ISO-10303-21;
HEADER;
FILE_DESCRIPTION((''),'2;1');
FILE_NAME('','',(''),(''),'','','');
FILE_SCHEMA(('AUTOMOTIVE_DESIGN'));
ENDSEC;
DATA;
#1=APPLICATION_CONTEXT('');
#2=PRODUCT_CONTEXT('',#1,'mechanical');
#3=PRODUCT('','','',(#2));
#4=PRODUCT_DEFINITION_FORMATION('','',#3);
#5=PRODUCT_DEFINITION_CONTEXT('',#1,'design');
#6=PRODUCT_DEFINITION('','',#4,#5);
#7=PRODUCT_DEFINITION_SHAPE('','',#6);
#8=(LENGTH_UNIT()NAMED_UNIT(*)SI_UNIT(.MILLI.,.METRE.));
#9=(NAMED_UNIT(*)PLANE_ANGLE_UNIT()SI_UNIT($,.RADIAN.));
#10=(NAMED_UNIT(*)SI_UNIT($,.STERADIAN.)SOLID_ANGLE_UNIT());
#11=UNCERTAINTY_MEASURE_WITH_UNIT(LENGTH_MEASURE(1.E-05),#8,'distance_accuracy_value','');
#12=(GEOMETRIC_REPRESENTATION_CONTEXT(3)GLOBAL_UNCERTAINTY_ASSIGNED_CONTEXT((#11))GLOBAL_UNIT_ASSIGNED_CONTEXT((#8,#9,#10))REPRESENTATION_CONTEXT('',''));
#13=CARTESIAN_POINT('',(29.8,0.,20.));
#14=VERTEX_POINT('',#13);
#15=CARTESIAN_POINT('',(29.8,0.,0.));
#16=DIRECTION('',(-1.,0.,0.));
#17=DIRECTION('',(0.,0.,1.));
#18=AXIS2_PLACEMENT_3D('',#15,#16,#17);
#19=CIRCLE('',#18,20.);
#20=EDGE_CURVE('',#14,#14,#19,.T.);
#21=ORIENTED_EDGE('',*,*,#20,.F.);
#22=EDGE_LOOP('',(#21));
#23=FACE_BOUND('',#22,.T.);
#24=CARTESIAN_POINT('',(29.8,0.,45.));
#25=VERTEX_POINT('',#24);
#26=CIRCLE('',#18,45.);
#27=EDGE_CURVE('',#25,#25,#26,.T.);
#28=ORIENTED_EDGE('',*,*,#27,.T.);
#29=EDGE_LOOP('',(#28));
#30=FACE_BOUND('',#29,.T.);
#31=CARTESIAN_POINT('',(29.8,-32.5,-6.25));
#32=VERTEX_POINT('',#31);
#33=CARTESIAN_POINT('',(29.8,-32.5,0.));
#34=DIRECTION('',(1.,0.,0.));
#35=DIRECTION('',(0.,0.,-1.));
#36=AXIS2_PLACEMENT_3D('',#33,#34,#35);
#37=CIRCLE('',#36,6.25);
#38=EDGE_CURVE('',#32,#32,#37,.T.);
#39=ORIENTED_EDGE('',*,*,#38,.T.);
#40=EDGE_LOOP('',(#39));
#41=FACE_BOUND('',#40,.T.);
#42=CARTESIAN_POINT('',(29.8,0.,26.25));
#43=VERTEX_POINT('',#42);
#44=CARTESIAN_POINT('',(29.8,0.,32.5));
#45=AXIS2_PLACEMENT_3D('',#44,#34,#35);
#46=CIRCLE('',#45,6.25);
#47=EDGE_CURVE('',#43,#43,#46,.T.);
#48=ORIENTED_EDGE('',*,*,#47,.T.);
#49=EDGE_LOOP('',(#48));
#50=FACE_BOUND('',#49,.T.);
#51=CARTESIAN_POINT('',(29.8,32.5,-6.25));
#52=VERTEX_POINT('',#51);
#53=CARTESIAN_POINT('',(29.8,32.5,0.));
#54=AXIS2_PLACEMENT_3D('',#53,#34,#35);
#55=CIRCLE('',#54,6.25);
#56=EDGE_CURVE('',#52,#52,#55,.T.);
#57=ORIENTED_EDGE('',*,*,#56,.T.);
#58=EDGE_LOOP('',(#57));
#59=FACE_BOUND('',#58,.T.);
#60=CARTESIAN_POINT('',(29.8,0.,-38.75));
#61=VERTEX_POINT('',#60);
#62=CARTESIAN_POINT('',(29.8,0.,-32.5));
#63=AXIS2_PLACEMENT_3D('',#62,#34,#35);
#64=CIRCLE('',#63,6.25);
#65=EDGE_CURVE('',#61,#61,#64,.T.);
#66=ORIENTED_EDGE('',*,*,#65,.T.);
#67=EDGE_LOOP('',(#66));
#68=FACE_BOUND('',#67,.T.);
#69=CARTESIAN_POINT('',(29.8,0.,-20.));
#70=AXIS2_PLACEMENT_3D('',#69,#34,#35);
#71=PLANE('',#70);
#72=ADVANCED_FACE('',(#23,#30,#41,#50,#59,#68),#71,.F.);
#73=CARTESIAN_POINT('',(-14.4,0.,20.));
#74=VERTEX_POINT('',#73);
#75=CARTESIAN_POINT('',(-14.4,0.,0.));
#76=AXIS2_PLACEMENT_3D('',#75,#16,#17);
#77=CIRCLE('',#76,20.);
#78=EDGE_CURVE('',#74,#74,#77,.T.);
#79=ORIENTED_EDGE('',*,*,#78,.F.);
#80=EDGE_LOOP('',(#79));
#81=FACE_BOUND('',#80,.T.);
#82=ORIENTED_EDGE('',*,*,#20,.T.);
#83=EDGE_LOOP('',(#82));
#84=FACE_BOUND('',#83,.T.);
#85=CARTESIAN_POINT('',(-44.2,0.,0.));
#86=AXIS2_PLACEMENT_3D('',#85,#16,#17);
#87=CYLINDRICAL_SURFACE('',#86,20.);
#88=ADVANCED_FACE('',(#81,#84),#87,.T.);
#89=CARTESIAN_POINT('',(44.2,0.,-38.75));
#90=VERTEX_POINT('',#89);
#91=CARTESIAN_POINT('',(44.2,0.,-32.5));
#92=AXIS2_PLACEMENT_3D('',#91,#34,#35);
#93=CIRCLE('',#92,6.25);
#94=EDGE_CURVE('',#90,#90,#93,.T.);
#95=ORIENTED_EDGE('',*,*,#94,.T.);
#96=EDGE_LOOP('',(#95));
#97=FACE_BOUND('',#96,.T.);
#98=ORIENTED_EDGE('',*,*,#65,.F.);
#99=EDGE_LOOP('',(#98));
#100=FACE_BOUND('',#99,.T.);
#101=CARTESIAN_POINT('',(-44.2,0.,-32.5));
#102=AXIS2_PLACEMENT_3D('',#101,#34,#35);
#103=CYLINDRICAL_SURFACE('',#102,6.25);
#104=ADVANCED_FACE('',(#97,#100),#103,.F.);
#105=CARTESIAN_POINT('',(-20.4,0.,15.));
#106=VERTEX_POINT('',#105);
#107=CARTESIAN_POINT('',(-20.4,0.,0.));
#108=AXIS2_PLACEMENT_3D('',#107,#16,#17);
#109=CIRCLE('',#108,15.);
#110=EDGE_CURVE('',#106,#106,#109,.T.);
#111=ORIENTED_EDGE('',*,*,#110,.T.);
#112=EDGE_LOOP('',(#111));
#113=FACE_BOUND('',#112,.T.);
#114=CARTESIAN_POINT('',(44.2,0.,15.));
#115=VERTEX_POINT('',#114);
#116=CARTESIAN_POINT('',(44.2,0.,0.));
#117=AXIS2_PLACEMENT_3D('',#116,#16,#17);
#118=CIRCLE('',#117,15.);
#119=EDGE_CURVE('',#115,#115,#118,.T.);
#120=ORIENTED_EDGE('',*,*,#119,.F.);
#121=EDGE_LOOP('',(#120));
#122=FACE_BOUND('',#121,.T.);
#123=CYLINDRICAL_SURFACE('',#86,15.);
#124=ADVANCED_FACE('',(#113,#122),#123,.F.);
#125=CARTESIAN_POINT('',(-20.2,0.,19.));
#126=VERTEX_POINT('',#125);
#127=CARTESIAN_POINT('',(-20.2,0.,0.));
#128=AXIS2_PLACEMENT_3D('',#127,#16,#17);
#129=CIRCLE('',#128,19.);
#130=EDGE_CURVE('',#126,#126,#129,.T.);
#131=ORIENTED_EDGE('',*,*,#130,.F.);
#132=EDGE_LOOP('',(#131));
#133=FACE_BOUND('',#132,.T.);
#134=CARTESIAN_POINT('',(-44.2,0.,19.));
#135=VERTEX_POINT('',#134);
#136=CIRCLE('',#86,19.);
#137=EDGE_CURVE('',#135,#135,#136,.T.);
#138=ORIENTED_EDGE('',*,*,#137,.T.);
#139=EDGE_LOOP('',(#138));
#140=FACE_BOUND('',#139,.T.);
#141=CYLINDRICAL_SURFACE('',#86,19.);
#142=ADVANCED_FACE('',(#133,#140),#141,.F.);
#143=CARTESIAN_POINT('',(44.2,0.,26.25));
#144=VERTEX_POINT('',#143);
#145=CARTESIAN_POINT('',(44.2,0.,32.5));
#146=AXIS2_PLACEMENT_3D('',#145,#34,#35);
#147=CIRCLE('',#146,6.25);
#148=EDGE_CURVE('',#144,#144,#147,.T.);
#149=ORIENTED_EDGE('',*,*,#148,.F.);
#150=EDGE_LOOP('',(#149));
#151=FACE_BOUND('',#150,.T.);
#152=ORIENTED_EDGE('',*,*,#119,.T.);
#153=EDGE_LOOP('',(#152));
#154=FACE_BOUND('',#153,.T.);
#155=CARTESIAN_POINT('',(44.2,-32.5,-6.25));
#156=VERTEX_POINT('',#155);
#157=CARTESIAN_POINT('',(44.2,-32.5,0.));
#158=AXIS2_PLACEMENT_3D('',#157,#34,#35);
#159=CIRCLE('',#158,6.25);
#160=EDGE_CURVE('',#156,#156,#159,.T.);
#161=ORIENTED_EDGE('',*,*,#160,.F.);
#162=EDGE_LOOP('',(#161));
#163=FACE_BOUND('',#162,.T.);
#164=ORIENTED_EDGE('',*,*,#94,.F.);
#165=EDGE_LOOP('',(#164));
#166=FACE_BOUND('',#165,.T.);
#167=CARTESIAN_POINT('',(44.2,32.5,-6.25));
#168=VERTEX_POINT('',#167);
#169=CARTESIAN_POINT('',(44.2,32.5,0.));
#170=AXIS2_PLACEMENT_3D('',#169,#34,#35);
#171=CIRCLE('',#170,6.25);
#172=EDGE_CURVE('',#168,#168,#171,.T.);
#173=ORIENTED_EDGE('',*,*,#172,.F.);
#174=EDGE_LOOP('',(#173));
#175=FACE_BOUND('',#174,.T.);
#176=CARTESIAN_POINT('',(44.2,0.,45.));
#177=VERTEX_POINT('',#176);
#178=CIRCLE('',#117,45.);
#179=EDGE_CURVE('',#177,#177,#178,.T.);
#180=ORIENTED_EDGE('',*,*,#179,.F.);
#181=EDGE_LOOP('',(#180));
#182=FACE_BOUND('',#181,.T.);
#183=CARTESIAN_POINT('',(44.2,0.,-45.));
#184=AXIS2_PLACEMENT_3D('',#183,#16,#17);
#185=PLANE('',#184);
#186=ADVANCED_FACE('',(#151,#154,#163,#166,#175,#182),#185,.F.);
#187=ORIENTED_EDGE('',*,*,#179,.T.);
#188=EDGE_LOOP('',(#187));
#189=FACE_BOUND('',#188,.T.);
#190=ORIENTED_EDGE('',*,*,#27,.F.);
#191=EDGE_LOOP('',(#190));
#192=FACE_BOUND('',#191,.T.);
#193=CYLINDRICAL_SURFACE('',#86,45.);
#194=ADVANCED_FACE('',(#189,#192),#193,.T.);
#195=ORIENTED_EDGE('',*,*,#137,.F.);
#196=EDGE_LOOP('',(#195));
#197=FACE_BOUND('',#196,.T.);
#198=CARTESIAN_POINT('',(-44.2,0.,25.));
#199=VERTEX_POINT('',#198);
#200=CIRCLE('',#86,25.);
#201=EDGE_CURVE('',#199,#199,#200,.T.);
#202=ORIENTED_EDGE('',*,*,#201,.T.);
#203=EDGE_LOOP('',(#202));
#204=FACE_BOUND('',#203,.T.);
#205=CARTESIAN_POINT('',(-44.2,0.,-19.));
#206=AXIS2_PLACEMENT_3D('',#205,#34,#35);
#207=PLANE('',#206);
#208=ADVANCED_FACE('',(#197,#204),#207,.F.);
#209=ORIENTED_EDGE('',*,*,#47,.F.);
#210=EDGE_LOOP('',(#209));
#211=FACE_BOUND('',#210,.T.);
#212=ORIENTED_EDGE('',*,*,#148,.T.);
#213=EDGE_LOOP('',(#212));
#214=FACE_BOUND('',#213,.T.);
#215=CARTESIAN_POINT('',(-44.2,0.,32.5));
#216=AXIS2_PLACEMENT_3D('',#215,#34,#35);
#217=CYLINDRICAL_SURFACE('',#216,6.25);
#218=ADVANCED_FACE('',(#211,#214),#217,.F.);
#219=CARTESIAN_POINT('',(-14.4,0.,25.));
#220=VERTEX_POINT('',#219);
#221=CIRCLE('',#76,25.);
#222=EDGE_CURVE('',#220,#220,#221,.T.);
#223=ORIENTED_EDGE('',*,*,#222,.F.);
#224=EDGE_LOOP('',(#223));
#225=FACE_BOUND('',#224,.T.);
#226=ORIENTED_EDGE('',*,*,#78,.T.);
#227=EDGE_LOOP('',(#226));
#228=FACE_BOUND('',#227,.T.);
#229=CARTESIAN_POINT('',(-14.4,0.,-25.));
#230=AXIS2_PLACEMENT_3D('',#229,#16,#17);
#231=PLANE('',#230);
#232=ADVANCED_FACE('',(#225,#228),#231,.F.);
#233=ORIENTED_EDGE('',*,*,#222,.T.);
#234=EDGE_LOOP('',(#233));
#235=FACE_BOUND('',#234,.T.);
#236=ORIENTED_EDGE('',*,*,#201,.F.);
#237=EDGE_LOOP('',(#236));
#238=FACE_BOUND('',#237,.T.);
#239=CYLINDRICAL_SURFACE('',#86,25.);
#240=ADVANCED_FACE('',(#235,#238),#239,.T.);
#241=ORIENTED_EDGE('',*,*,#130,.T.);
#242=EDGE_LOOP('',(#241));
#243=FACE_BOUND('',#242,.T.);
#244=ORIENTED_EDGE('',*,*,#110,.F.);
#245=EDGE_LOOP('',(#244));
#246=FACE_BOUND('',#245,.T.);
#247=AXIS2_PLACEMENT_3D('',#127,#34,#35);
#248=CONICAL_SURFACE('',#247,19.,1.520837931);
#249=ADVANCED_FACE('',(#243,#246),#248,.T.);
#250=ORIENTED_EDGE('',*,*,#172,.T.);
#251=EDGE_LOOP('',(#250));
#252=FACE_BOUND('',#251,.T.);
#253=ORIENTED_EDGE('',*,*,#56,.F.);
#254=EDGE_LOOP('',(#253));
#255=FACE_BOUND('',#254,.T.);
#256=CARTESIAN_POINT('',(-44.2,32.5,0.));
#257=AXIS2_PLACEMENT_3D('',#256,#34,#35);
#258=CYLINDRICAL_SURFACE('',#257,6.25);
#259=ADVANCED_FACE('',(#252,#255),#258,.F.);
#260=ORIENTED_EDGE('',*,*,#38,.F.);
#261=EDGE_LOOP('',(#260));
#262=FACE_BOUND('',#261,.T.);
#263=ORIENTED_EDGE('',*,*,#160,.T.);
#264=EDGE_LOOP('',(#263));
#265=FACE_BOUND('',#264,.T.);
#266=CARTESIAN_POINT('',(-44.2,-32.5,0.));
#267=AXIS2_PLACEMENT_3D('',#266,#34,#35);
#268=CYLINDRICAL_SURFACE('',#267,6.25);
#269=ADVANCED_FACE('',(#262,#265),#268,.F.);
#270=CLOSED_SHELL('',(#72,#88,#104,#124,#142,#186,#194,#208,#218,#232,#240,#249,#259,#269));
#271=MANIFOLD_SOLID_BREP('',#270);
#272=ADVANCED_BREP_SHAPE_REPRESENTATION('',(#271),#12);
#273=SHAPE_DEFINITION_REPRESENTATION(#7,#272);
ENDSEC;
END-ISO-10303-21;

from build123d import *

# Parameters (mm, degrees)
SKETCH2_R          = 6.25
CUT_EXTRUDE1_DEPTH = 109.92456105


with BuildPart() as part:
    # Sketch1 → Revolve1 (revolve)
    with BuildSketch(Plane(origin=(0, 0, 0), x_dir=(1, 0, 0), z_dir=(0, 1, 0)), mode=Mode.PRIVATE) as revolve1_sk:
        Polygon((-44.2, 25), (-14.4, 25), (-14.4, 20), (29.8, 20), (29.8, 45), (44.2, 45), (44.2, 15), (20.4, 15), (-20.4, 15), (-20.2, 19), (-44.2, 19), align=None)
    revolve(revolve1_sk.sketch.rotate(Axis((-44.2, 0, 0), (1, 0, 0)), 180), axis=Axis((-44.2, 0, 0), (1, 0, 0)))

    # Sketch2 → Cut-Extrude1 (cut, through all)
    with BuildSketch(Plane(origin=(44.2, 0, 0), x_dir=(0, 0, -1), z_dir=(1, 0, 0))):
        with Locations((0, 32.5)):
            Circle(SKETCH2_R)
        with Locations((32.5, 0)):
            Circle(SKETCH2_R)
        with Locations((0, -32.5)):
            Circle(SKETCH2_R)
        with Locations((-32.5, 0)):
            Circle(SKETCH2_R)
    extrude(amount=-CUT_EXTRUDE1_DEPTH, mode=Mode.SUBTRACT)


solid = part.part
